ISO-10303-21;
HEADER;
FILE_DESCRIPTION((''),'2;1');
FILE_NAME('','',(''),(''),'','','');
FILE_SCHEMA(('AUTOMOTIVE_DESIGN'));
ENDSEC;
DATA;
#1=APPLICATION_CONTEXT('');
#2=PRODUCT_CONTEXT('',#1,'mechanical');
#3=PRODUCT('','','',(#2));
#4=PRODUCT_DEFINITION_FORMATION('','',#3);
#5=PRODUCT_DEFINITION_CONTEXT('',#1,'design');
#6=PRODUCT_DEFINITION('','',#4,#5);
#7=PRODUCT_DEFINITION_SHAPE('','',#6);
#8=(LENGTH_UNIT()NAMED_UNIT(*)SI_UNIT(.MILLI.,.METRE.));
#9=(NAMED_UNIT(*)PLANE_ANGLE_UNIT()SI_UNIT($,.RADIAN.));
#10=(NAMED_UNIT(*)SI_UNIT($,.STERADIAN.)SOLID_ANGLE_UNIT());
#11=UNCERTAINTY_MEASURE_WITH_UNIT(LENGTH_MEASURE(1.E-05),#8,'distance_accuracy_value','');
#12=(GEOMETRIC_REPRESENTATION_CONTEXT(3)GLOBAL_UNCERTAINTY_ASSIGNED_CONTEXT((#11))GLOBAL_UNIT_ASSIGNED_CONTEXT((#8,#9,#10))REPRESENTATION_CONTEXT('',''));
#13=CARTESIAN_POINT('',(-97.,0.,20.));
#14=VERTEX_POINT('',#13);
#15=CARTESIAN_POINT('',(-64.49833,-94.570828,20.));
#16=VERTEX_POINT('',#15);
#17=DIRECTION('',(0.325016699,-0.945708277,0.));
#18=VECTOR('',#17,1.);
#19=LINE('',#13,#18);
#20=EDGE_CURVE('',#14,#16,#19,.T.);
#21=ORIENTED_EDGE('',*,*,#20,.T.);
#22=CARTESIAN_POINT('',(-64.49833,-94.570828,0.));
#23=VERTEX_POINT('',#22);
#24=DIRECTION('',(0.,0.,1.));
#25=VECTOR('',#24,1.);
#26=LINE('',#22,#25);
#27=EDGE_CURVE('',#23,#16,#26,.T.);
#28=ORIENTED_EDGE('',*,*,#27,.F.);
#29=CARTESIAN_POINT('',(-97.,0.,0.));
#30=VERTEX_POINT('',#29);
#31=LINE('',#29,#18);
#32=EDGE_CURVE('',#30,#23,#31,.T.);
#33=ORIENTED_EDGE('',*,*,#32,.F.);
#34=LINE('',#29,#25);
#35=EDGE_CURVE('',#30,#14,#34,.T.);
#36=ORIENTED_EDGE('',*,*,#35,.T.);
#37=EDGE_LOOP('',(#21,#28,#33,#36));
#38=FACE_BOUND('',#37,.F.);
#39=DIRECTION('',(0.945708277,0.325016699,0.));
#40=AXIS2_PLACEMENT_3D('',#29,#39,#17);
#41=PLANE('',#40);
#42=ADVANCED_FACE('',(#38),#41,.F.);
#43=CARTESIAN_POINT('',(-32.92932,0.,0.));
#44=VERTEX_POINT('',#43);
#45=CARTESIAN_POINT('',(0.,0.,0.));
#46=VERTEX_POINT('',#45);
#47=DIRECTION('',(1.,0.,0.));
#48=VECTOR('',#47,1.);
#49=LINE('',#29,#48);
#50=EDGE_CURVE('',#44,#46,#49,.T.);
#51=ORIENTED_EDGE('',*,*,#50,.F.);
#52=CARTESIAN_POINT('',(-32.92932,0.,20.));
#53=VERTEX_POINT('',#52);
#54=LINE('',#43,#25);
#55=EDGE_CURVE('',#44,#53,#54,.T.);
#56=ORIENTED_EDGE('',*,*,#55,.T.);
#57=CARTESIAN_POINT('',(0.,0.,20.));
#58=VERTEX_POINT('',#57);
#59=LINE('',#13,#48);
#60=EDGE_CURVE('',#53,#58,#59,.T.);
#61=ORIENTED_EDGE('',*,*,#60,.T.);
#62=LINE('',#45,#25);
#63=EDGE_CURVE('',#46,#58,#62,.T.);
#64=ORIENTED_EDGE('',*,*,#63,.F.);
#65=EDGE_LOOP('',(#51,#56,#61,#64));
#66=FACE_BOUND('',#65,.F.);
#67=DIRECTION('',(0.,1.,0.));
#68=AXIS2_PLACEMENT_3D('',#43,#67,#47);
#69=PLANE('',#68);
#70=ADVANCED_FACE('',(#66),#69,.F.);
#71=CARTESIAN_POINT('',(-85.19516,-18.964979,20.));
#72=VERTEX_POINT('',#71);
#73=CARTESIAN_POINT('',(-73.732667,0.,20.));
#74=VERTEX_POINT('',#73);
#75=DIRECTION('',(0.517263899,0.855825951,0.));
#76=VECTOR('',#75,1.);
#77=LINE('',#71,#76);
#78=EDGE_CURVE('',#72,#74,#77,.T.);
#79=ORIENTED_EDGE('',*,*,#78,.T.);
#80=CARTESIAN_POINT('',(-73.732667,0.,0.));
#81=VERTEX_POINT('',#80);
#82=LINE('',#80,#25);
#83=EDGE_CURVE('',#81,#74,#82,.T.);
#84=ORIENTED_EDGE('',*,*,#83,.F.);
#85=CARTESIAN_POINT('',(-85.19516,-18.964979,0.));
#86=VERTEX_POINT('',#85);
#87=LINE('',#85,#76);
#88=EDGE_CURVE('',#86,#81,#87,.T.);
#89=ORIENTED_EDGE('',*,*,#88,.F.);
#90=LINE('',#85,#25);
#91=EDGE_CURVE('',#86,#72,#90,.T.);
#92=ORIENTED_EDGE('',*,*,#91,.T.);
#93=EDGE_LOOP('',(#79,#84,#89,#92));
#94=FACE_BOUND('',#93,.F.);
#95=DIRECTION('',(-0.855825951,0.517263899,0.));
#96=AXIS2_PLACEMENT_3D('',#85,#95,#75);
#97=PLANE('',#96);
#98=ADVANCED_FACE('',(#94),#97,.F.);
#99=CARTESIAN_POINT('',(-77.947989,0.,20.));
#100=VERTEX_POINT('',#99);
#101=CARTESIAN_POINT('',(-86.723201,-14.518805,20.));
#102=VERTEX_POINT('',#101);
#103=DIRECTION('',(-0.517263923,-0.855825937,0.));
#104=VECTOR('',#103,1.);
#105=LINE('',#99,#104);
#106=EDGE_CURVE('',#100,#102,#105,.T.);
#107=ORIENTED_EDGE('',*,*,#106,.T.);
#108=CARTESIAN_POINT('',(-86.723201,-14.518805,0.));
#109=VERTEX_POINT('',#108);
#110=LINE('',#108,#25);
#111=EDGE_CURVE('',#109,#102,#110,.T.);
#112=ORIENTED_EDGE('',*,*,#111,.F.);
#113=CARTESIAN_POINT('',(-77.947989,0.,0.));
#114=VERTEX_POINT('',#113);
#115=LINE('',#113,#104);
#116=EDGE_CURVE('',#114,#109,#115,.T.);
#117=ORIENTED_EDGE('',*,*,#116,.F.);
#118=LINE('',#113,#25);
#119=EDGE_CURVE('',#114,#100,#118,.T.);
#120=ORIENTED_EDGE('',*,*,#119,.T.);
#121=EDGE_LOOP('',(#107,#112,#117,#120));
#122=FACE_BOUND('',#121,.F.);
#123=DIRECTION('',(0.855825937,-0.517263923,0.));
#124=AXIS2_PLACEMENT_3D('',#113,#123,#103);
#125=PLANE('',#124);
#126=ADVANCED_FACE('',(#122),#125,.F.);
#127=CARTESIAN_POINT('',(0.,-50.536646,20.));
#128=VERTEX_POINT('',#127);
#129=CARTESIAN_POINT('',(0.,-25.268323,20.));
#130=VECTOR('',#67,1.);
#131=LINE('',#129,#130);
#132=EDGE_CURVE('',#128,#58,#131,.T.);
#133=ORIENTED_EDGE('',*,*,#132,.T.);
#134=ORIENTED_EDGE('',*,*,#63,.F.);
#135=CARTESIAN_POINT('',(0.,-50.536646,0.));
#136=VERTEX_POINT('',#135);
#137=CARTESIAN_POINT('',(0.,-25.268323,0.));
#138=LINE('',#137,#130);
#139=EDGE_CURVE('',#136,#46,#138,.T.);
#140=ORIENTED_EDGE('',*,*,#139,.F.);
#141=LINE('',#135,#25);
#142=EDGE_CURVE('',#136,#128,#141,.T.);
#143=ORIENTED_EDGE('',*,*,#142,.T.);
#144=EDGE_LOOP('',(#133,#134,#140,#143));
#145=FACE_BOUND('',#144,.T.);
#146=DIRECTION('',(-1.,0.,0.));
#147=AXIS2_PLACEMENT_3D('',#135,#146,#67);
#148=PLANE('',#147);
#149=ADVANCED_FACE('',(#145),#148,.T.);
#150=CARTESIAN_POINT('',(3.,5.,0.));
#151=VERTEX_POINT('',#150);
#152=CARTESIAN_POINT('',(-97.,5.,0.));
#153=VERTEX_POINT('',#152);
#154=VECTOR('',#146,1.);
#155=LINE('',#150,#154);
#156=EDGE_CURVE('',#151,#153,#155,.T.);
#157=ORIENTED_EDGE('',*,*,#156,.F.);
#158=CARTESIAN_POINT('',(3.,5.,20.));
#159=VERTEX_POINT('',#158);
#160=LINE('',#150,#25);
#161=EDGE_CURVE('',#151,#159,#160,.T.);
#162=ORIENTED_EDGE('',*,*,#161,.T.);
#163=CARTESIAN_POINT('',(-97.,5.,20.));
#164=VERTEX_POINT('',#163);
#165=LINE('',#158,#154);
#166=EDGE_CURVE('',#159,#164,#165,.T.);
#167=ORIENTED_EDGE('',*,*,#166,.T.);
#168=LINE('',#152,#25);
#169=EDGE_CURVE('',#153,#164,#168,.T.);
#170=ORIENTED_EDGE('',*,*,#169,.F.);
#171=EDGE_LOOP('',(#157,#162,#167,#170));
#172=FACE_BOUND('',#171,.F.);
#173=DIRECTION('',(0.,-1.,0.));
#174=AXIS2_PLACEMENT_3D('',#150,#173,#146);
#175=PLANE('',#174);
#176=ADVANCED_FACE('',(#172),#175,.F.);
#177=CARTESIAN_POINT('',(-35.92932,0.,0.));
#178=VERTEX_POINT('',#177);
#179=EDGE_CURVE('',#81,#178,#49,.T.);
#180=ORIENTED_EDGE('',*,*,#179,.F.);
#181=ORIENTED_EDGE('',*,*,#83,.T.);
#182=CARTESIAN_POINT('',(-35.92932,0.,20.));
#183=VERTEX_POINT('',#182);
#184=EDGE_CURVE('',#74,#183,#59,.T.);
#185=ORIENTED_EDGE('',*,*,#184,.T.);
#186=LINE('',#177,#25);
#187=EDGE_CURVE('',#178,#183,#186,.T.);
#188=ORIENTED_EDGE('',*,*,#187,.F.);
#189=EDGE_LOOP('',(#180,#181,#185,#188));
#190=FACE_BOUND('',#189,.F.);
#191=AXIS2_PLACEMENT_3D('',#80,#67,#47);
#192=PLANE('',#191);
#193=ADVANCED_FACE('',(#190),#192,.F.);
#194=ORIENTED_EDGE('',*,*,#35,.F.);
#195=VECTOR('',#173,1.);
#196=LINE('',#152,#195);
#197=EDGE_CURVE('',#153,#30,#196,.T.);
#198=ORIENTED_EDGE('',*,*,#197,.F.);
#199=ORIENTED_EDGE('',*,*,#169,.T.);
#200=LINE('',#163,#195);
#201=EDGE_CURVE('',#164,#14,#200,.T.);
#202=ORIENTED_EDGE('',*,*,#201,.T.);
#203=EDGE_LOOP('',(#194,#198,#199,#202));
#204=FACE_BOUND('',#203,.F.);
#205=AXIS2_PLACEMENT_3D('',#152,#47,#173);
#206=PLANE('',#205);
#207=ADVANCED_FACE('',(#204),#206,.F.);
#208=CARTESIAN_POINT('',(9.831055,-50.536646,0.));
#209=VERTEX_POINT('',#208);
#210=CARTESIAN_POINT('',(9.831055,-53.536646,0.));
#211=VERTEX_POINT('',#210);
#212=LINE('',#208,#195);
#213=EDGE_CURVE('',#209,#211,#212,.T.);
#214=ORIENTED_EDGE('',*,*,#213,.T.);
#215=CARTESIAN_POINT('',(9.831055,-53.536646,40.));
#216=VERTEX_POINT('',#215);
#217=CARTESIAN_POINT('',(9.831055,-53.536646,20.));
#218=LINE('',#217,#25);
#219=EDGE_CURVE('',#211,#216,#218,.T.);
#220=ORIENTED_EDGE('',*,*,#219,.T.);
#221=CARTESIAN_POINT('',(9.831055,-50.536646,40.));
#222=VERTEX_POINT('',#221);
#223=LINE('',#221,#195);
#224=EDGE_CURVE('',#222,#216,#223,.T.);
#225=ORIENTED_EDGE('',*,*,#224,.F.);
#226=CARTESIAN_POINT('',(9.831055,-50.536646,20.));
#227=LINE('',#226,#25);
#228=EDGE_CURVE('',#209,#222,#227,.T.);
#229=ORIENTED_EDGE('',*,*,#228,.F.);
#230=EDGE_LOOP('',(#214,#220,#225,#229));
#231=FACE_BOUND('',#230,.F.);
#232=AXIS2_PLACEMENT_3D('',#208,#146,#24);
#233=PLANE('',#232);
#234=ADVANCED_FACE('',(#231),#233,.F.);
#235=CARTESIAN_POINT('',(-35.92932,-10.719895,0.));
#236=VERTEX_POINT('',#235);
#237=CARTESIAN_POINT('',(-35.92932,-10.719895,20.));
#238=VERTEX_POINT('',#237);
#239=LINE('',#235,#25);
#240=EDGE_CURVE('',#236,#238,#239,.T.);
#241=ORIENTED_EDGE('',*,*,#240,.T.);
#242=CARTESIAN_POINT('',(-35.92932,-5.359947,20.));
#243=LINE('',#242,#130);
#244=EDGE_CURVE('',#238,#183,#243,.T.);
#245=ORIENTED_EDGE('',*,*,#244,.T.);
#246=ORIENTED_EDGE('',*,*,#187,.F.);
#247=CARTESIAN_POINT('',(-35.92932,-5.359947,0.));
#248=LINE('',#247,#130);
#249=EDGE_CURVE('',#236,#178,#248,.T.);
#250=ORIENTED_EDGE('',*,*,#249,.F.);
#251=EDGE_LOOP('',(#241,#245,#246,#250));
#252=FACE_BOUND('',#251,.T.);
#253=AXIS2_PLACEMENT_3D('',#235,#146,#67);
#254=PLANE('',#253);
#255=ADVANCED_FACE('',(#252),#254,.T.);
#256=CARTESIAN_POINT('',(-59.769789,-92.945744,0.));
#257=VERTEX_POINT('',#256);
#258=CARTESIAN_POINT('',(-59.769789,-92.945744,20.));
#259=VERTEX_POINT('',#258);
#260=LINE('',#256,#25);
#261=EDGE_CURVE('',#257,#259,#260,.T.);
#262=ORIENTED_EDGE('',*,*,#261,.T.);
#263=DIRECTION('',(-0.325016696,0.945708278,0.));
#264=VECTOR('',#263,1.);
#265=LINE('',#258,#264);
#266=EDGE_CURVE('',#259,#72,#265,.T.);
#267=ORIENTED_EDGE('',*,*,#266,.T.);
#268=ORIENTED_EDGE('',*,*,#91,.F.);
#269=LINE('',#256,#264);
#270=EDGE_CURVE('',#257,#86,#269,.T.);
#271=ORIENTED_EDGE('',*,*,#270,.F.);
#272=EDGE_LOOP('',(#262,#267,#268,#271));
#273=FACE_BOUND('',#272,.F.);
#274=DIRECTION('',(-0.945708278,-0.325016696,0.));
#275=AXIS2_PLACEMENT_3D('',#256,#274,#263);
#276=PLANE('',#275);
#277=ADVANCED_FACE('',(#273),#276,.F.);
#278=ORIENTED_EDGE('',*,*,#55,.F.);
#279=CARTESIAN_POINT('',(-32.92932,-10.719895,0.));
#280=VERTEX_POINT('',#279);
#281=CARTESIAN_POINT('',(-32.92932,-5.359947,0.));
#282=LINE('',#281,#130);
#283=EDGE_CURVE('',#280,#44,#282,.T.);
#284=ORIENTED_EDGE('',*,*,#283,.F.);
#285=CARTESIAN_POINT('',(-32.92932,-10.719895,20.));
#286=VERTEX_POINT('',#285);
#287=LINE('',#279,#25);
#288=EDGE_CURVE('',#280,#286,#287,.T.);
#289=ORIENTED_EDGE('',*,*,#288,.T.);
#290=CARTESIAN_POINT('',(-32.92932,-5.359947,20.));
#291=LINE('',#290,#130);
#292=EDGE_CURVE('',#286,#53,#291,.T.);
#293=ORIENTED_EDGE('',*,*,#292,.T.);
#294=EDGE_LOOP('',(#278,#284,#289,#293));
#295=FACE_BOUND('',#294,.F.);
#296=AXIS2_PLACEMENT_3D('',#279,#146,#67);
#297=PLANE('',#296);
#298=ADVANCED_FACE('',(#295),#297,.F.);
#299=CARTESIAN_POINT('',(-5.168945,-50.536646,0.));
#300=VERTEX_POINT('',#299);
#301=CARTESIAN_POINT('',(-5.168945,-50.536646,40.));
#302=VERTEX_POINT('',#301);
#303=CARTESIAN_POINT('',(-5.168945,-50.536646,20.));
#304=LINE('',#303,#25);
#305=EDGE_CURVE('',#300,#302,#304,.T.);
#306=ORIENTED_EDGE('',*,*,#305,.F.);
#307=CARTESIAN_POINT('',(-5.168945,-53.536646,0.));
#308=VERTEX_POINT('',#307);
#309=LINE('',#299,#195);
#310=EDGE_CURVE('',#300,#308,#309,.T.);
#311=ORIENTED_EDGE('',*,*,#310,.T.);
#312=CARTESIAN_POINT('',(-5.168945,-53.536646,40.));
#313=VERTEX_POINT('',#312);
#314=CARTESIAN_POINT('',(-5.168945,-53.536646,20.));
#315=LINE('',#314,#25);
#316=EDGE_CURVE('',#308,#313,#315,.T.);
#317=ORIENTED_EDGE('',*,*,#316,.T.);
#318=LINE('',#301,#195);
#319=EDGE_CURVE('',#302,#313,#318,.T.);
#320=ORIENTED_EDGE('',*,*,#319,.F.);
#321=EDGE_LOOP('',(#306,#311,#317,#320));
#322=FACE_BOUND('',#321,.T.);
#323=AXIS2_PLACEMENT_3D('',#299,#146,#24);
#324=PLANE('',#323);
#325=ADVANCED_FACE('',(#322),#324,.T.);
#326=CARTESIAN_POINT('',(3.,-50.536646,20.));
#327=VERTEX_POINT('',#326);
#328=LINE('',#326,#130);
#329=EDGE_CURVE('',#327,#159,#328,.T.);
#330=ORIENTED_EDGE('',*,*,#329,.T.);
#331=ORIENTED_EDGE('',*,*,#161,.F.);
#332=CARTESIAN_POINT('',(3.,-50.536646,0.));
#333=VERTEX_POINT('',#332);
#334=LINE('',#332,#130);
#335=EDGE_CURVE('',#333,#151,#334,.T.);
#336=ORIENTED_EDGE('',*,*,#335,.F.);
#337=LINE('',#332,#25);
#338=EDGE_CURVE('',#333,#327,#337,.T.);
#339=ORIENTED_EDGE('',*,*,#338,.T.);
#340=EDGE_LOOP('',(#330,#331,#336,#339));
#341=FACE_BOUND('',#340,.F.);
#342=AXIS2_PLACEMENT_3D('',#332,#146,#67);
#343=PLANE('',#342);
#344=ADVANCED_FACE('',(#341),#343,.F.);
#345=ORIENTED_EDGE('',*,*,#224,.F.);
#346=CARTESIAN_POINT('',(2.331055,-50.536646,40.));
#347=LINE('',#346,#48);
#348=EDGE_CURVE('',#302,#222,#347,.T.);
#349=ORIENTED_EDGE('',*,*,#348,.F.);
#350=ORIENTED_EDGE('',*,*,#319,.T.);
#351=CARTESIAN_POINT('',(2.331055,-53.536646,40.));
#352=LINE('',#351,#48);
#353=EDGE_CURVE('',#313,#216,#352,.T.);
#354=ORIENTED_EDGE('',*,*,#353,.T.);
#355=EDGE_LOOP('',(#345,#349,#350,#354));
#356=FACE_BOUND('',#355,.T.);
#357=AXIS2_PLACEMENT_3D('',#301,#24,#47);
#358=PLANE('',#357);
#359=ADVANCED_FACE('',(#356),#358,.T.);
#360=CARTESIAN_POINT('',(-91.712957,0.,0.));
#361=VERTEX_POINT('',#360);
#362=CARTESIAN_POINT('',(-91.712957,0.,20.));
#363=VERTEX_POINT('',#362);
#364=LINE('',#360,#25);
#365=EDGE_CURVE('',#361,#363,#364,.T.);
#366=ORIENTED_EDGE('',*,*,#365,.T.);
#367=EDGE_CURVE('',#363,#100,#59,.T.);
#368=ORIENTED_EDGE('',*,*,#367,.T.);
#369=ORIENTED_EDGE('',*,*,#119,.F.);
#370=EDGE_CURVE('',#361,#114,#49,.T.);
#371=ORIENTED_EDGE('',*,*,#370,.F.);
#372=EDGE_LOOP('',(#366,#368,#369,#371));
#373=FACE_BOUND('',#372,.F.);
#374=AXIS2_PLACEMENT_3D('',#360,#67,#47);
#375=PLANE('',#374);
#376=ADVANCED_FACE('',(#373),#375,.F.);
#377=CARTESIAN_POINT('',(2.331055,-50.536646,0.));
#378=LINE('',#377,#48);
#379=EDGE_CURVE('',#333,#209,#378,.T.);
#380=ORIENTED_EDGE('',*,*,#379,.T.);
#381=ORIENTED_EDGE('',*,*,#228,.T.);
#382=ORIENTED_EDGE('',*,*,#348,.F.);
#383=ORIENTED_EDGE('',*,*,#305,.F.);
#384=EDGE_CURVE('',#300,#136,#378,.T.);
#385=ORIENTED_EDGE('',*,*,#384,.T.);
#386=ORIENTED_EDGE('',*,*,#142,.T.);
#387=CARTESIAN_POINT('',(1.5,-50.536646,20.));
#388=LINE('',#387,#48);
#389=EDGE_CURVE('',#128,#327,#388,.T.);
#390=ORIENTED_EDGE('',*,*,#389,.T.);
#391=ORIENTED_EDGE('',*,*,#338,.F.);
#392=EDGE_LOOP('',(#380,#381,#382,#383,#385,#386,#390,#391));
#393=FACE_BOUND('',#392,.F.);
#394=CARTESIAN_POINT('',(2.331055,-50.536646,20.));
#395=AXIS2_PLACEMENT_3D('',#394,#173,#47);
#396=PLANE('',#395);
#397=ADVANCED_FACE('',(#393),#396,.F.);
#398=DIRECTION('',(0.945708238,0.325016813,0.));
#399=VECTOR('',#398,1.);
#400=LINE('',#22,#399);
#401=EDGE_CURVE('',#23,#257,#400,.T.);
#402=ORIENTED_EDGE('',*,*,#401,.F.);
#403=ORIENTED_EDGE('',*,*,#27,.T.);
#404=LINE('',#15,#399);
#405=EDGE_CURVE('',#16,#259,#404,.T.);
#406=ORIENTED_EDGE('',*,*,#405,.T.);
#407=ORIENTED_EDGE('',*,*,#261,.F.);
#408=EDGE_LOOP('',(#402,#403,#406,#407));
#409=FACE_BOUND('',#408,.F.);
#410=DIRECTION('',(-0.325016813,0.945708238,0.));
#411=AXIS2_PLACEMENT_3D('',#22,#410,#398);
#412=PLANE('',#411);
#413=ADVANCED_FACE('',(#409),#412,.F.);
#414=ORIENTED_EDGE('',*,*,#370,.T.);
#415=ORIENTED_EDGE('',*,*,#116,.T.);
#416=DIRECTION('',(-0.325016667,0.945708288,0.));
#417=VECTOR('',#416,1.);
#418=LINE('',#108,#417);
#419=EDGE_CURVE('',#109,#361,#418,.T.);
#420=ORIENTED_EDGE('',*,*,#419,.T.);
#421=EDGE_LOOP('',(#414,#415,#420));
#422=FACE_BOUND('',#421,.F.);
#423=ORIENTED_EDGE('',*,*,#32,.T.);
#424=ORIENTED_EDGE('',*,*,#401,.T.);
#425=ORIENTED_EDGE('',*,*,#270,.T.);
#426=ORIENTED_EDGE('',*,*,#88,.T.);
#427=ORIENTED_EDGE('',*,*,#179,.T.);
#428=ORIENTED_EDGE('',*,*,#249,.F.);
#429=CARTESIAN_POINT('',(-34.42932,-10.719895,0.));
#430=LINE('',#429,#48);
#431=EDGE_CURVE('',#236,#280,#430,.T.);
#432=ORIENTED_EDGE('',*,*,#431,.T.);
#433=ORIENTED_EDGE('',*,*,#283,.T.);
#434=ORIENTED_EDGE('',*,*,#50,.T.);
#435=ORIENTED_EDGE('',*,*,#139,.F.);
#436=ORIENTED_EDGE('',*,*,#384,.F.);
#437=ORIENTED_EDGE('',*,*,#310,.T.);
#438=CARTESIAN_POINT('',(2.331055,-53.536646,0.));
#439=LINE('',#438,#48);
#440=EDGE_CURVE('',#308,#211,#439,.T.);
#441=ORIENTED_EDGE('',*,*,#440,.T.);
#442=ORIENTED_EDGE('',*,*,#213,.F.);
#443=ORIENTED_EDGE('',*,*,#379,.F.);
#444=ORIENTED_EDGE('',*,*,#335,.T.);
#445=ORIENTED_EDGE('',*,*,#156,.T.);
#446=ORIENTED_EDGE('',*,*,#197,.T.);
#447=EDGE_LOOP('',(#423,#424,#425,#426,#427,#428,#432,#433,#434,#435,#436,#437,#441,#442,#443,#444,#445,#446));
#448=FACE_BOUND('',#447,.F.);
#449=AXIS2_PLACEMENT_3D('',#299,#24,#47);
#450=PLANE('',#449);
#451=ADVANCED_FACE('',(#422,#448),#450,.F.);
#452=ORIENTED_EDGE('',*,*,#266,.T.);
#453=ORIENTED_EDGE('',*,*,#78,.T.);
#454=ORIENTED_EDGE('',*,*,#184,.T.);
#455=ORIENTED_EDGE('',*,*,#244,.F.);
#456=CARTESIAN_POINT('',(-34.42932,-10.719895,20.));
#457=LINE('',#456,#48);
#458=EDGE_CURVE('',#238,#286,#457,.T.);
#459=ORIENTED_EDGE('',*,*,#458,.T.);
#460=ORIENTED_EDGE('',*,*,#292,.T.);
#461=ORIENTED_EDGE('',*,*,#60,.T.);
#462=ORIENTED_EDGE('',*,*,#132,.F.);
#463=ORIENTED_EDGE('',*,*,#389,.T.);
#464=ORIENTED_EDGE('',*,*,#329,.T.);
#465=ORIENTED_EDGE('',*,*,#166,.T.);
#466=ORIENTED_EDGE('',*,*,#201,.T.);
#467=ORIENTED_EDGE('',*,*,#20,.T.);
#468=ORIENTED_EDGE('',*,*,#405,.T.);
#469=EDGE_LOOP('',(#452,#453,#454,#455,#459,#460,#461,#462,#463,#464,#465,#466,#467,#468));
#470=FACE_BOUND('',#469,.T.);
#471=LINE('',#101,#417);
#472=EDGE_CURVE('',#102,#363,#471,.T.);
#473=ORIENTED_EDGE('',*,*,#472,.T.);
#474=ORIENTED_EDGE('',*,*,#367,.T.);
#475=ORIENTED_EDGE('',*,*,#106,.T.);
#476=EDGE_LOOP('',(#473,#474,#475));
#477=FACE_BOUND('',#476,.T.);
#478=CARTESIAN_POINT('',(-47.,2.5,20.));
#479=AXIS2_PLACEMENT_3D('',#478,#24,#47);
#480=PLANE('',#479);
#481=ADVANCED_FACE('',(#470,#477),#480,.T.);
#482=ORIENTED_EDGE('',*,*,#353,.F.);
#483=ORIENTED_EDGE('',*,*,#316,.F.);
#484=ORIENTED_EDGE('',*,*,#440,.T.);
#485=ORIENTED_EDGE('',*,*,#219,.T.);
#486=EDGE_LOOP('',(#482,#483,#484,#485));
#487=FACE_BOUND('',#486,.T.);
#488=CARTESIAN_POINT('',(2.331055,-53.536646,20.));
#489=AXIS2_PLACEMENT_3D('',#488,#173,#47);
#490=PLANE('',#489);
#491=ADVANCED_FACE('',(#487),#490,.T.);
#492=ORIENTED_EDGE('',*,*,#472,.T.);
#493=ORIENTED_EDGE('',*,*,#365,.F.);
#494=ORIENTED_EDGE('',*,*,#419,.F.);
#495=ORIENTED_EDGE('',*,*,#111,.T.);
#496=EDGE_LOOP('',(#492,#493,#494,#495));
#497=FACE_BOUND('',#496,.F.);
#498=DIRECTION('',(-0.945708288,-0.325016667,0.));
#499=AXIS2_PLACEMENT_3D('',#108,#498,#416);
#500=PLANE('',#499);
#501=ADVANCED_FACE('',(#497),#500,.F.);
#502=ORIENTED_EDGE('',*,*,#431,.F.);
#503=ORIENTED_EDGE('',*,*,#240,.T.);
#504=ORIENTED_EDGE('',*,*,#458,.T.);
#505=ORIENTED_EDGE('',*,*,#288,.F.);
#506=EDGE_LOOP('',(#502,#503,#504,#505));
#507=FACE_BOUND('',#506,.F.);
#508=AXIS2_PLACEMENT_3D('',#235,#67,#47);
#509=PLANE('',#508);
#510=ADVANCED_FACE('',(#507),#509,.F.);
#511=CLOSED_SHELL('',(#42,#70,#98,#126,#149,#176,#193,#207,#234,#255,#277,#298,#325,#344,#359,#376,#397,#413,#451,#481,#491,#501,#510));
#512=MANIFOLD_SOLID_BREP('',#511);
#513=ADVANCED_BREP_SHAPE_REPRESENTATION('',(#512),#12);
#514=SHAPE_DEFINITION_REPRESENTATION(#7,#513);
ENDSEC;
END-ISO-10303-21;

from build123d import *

# Parameters (mm, degrees)
F0_W     = 3
F0_H     = 50.536646
F0_H_2   = 10.719895
F1_DEPTH = 20
F2_W     = 15
F2_H     = 40
F3_DEPTH = 3


with BuildPart() as f1:
    # F0 (on Top) → F1 (new body)
    with BuildSketch(Plane.XY):
        Polygon((-32.92932, 0), (0, 0), (3, 0), (3, 5), (-97, 5), (-97, 0), (-91.712957, 0), (-77.947989, 0), (-73.732667, 0), (-35.92932, 0), align=None)
        with Locations((1.5, -25.268323)):
            Rectangle(F0_W, F0_H)
        with Locations((-34.42932, -5.359947)):
            Rectangle(F0_W, F0_H_2)
        Polygon((-85.19516, -18.964979), (-73.732667, 0), (-77.947989, 0), (-86.723201, -14.518805), align=None)
        Polygon((-91.712957, 0), (-97, 0), (-64.49833, -94.570828), (-59.769789, -92.945744), (-85.19516, -18.964979), (-86.723201, -14.518805), align=None)
    extrude(amount=F1_DEPTH)

    # F2 (on face) → F3 (join)
    with BuildSketch(Plane.XZ.offset(50.536646)):
        with Locations((2.331055, 20)):
            Rectangle(F2_W, F2_H)
    extrude(amount=F3_DEPTH)


solid = f1.part
